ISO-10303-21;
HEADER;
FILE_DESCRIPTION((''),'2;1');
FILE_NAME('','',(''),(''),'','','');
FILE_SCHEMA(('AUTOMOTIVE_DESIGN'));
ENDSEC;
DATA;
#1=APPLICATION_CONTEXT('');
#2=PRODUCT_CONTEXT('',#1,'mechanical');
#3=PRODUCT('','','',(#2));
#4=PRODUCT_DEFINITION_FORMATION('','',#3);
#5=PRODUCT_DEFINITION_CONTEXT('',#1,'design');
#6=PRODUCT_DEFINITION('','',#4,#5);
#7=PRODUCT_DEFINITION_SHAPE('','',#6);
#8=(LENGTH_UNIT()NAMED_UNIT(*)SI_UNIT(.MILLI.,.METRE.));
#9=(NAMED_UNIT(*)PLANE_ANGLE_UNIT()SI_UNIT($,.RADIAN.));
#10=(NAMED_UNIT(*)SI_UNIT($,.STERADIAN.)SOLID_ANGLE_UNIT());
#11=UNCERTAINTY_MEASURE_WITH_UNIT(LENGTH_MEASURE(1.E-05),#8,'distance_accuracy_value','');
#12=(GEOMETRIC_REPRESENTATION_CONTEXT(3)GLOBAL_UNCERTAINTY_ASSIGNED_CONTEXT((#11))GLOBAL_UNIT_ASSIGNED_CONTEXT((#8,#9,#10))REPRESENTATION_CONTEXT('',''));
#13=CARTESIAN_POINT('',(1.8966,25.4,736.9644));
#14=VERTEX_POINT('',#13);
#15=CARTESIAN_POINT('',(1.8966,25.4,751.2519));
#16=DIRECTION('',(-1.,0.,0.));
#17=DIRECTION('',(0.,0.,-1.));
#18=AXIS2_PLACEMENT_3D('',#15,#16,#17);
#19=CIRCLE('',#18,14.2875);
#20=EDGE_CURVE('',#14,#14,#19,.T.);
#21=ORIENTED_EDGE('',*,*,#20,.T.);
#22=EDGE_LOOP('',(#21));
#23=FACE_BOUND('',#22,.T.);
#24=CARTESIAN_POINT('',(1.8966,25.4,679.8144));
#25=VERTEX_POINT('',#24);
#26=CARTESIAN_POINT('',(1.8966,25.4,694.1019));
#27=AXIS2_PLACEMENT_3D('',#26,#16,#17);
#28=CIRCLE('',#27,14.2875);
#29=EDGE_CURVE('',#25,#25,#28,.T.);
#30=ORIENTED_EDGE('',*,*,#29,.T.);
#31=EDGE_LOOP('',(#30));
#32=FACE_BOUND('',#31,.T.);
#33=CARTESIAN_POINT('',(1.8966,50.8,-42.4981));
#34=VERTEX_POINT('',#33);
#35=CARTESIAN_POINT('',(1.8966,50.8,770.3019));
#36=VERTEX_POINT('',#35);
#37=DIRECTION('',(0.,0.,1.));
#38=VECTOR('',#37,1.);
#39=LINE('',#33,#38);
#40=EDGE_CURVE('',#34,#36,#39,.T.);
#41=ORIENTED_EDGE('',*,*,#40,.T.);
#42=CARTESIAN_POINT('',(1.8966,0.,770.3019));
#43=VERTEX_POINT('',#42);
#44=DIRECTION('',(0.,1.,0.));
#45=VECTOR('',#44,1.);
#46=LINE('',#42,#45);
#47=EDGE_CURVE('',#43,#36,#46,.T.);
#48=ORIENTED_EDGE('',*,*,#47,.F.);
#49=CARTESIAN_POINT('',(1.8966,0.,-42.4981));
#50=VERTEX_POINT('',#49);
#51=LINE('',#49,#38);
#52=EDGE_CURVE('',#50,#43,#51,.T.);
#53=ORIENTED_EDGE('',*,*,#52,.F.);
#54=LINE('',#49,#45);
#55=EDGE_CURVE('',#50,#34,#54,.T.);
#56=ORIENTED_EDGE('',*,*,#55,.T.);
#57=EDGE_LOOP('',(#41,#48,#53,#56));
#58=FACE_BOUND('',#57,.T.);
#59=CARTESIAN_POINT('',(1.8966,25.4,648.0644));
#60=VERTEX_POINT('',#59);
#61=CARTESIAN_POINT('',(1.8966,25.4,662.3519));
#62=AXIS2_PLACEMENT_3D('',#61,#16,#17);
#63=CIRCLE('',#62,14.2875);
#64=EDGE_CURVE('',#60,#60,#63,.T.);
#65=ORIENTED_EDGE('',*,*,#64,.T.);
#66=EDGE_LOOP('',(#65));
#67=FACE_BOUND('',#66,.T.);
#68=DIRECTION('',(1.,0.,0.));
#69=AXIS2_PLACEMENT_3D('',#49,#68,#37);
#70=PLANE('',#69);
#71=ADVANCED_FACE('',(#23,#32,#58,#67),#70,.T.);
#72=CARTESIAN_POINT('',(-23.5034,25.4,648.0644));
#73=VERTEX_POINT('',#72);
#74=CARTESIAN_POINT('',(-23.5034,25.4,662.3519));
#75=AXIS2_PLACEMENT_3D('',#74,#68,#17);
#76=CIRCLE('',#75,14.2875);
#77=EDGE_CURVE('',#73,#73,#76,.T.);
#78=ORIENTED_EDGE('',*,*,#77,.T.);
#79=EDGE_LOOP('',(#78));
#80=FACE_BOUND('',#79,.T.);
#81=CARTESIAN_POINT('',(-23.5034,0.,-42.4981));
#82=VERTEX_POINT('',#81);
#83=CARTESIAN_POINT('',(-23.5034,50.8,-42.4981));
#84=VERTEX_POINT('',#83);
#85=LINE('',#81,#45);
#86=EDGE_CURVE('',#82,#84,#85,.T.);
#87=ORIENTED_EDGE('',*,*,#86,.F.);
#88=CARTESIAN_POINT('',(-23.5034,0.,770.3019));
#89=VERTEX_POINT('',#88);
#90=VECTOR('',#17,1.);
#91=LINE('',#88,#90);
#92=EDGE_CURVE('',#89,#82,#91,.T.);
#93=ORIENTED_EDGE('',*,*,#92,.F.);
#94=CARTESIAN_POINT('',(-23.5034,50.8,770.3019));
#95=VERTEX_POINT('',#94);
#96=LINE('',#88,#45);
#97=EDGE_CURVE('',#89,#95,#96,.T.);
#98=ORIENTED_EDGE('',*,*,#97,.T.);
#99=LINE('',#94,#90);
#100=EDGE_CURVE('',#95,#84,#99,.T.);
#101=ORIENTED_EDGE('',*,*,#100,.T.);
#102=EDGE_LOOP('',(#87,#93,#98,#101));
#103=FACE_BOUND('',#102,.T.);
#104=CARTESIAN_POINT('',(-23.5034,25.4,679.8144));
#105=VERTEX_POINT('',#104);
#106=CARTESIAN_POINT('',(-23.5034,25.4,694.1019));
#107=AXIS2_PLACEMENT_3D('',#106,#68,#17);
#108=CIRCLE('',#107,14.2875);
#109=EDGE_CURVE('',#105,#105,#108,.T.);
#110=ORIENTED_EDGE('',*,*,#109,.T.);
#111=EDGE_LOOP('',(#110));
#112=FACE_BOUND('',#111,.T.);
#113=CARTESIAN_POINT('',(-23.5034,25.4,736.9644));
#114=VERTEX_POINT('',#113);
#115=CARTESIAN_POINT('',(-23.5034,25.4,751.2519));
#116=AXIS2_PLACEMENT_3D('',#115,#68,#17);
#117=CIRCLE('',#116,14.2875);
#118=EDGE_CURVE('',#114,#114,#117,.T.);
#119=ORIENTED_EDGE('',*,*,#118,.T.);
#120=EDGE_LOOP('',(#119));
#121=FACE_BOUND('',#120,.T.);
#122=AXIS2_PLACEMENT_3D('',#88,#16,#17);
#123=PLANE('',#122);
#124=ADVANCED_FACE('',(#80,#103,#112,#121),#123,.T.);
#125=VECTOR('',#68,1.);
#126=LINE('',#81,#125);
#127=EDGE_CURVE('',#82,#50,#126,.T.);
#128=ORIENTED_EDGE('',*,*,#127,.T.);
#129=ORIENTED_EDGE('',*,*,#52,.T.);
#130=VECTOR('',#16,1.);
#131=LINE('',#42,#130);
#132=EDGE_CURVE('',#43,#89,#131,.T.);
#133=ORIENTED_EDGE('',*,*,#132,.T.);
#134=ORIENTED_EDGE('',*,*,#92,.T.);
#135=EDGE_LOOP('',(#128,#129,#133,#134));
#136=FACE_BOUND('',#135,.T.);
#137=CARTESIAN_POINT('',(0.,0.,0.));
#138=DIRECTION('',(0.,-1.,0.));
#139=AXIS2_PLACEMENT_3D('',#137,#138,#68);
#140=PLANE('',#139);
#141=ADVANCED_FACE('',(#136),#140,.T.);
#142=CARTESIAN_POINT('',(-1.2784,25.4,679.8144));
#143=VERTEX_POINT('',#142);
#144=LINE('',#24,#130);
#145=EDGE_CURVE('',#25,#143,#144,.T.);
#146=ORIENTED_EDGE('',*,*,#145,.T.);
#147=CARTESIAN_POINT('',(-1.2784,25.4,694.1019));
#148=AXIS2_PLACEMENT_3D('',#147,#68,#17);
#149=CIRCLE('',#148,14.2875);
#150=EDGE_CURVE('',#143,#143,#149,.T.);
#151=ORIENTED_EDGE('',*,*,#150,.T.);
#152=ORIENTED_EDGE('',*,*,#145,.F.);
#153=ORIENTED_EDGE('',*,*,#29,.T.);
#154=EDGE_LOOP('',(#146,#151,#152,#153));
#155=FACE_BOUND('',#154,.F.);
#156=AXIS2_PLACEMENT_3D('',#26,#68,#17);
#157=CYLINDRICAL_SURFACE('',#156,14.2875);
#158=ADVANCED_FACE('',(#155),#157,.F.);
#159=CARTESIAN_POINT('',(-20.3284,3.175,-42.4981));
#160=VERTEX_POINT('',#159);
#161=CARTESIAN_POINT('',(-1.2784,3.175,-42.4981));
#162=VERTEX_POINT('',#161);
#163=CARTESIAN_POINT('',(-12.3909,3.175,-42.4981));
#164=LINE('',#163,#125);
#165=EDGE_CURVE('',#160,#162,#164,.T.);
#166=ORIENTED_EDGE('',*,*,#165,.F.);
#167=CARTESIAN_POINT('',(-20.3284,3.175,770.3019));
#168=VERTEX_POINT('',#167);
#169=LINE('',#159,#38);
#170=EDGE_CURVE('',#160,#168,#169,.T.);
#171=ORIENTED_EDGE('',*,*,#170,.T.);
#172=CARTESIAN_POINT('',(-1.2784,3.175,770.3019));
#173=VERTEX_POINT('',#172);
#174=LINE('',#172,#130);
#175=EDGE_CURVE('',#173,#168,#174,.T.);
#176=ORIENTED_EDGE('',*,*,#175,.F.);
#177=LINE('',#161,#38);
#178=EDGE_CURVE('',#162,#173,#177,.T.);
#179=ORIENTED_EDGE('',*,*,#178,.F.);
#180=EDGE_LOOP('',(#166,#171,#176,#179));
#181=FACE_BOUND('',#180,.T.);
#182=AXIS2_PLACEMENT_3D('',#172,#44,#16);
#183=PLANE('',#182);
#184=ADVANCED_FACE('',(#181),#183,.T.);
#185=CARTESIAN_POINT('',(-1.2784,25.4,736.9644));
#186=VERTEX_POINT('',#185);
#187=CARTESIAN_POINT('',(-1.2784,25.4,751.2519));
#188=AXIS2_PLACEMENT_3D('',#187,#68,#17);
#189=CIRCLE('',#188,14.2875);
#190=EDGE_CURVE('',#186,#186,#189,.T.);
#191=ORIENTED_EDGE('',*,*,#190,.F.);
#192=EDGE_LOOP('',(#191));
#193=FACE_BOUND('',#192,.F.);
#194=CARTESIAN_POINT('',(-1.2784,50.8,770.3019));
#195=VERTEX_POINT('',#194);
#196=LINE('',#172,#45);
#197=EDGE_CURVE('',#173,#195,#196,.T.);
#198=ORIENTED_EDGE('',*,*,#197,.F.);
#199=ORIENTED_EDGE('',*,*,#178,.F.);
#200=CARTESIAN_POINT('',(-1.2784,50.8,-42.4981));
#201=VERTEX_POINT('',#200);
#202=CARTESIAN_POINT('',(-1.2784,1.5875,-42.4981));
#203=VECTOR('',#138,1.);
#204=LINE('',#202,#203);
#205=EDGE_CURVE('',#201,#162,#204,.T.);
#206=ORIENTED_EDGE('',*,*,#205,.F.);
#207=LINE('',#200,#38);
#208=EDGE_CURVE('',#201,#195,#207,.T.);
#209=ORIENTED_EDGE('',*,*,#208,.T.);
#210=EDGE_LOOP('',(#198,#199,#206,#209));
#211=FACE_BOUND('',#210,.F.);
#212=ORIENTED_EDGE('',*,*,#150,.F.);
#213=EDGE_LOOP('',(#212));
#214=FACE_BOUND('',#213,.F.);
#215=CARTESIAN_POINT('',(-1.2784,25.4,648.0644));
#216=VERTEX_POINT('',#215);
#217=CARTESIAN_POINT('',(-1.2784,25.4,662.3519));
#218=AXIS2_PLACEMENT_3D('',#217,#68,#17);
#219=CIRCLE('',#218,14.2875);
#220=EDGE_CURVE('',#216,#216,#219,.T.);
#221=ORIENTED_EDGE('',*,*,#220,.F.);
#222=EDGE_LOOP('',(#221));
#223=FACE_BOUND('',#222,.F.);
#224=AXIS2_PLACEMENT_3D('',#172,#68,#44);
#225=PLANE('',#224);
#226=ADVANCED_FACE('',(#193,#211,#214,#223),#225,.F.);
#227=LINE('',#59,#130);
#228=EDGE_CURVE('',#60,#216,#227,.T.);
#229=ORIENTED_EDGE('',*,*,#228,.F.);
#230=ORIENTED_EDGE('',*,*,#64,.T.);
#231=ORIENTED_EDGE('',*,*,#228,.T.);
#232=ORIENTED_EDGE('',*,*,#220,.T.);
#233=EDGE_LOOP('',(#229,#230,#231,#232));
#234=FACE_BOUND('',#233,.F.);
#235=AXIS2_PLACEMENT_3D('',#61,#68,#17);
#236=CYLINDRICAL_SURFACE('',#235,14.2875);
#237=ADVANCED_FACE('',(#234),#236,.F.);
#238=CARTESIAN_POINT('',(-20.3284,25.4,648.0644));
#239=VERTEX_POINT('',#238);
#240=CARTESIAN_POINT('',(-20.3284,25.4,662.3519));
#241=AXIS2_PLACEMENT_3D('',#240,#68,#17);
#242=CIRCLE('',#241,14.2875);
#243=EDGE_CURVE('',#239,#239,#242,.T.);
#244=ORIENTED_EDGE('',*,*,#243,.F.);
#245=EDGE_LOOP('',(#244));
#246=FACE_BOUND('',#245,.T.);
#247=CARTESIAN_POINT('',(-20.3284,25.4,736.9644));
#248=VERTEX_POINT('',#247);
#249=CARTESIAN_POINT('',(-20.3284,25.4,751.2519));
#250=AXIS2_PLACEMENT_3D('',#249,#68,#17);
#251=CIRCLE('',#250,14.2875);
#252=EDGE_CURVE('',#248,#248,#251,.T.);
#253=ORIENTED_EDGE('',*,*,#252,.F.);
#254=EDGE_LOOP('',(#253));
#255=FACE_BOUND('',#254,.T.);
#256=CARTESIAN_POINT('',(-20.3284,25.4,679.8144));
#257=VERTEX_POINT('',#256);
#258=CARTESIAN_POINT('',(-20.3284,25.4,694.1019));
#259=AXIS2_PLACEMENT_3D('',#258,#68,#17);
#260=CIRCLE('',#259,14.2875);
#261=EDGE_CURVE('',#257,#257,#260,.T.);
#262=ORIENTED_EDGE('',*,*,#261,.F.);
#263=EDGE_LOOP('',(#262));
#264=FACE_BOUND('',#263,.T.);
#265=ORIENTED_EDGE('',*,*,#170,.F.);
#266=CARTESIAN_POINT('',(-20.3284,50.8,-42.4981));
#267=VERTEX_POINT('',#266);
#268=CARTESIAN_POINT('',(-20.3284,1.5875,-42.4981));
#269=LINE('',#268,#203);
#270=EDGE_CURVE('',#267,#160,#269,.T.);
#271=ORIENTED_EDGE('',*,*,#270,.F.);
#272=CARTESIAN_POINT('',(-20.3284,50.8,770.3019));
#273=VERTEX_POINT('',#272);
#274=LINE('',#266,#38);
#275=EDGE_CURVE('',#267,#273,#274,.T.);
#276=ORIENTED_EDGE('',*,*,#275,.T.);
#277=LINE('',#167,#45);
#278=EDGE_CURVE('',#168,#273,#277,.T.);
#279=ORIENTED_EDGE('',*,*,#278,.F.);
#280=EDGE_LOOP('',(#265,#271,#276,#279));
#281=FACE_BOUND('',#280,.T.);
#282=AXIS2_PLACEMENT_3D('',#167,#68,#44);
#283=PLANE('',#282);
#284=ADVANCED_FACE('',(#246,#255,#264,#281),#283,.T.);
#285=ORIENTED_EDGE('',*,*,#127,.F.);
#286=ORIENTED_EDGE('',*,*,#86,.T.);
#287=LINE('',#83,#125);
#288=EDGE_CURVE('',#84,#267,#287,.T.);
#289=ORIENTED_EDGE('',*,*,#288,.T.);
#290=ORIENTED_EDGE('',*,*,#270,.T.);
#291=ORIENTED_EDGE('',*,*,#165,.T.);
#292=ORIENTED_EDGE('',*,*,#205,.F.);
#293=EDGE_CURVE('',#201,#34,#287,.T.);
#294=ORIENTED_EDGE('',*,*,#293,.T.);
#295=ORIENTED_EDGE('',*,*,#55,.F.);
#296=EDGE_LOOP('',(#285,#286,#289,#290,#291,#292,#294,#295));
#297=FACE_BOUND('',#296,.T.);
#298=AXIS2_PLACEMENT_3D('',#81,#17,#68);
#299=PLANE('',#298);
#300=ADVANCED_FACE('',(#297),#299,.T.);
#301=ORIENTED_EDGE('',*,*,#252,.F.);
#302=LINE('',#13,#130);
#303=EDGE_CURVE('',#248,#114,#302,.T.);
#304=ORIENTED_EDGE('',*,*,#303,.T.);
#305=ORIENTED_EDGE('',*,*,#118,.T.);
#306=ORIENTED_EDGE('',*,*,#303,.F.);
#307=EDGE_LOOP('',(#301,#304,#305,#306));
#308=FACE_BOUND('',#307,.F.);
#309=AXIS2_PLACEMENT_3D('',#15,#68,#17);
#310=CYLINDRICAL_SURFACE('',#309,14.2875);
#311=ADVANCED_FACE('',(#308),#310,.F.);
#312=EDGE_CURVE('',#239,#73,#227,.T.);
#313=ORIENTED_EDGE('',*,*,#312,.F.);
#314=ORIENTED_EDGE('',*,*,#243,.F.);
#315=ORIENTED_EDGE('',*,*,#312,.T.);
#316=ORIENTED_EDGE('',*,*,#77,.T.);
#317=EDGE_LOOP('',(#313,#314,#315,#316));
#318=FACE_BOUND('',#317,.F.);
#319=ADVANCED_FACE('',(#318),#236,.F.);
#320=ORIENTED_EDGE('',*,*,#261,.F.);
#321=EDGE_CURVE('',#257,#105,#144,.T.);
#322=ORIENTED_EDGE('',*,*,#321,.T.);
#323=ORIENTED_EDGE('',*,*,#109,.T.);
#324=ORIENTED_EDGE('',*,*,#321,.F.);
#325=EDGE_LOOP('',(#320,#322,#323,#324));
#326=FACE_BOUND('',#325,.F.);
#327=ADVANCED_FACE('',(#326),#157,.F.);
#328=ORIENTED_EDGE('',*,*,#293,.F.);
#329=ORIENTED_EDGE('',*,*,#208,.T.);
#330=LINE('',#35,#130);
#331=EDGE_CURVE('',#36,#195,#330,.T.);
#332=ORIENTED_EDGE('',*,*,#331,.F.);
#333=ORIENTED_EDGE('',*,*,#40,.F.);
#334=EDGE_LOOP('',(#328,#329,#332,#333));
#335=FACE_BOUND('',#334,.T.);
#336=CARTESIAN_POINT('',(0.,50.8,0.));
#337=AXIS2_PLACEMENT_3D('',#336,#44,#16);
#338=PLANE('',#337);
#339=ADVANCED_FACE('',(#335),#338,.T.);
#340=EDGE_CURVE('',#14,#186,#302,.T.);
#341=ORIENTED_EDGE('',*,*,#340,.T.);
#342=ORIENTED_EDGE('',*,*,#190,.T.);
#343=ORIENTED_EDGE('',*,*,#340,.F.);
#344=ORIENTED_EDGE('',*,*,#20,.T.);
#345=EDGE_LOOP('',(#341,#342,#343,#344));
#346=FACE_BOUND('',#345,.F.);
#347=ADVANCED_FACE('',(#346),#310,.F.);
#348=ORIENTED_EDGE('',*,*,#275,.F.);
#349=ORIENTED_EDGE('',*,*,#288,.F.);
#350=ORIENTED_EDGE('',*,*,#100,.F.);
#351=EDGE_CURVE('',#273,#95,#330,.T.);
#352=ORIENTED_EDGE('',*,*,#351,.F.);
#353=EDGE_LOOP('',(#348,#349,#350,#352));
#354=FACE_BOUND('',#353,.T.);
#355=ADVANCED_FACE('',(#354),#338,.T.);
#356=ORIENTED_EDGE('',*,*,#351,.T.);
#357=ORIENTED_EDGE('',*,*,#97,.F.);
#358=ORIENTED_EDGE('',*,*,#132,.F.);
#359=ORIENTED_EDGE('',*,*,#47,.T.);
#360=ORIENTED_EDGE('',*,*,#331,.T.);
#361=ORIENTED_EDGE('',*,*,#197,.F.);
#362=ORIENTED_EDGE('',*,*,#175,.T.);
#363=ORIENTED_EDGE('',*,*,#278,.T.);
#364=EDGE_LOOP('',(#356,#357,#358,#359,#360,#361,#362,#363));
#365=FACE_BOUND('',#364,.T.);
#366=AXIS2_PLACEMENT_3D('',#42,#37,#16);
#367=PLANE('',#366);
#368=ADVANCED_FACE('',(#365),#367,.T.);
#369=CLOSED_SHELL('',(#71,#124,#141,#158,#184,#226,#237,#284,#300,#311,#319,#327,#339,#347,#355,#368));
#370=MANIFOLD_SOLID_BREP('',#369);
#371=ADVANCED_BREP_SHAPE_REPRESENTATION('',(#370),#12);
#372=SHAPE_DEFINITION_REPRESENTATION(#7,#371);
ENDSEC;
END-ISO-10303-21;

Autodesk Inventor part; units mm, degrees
ref_plane "YZ Plane" through (0, 0, 0) normal (1, 0, 0) x (0, 1, 0)
ref_plane "XZ Plane" through (0, 0, 0) normal (0, 1, 0) x (-1, 0, 0)
ref_plane "XY Plane" through (0, 0, 0) normal (0, 0, 1) x (1, 0, 0)
sketch "Sketch1" plane through (0, 0, 0) normal (0, 1, 0) x (-1, 0, 0)
  line L0 (23.5034, -42.4981) -> (-1.8966, -42.4981)
  line L1 (-1.8966, -42.4981) -> (-1.8966, 770.3019)
  line L2 (-1.8966, 770.3019) -> (23.5034, 770.3019)
  line L3 (23.5034, 770.3019) -> (23.5034, -42.4981)
  line L4 (20.3284, -39.3231) -> (1.2784, -39.3231)
  line L5 (1.2784, -39.3231) -> (1.2784, 767.1269)
  line L6 (1.2784, 767.1269) -> (20.3284, 767.1269)
  line L7 (20.3284, 767.1269) -> (20.3284, -39.3231)
  point P0 (0, 0)
  dimension "d0" = 25.4
  dimension "d1" = 812.8
  dimension "d2" = 3.175
ref_plane "Work Plane3" through (0, 0, 0) normal (0, -1, 0) x (1, 0, 0)
sketch "Sketch2" plane through (0, 0, 0) normal (0, -1, 0) x (1, 0, 0)
  line L0 (-1.2784, -39.3231) -> (-20.3284, -39.3231) projected
  line L1 (-20.3284, -39.3231) -> (-20.3284, 767.1269) projected
  line L2 (-1.2784, -39.3231) -> (-20.3284, -39.3231)
  line L3 (-20.3284, -39.3231) -> (-20.3284, 767.1269)
  line L4 (-20.3284, 767.1269) -> (-1.2784, 767.1269)
  line L5 (-1.2784, 767.1269) -> (-1.2784, -39.3231)
  point P0 (0, 0)
extrude "Extrusion3" add sketch "Sketch2" against normal blind 3.175
extrude "Extrusion5" add sketch "Sketch1" along normal blind 50.8
sketch "Sketch4" plane through (-23.5034, 0, 770.3019) normal (0, 0, 1) x (1, 0, 0)
  line L0 (0, 50.8) -> (25.4, 50.8) projected
  line L1 (0, 50.8) -> (3.175, 50.8)
  line L2 (3.175, 50.8) -> (25.4, 50.8)
  line L3 (25.4, 50.8) -> (22.225, 50.8)
  line L4 (22.225, 3.175) -> (22.225, 50.8) projected
  line L5 (3.175, 50.8) -> (22.225, 50.8)
  line L6 (22.225, 50.8) -> (22.225, 3.175)
  line L7 (22.225, 3.175) -> (3.175, 3.175)
  line L8 (3.175, 3.175) -> (3.175, 50.8)
  point P0 (23.5034, 0)
  point P1 (22.225, 0)
  dimension "d13" = 3.175
  dimension "d14" = 3.175
extrude "Extrusion6" cut sketch "Sketch4" against normal blind 1016
sketch "Sketch5" plane through (1.8966, 0, 770.3019) normal (1, 0, 0) x (0, 0, -1)
  line L0 (0, 0) -> (19.05, 0)
  line L1 (19.05, 0) -> (19.05, 25.4)
  line L2 (19.05, 25.4) -> (0, 25.4)
  line L3 (0, 25.4) -> (0, 0)
  circle A0 centre (19.05, 25.4) radius 14.2875
  line L4 (19.05, 25.4) -> (76.2, 25.4)
  circle A1 centre (76.2, 25.4) radius 14.2875
  line L5 (76.2, 25.4) -> (107.95, 25.4)
  circle A2 centre (107.95, 25.4) radius 14.2875
  point P0 (770.3019, 0)
  dimension "d17" = 19.05
  dimension "d18" = 25.4
  dimension "d19" = 28.575
  dimension "d22" = 57.15
  dimension "d23" = 28.575
  dimension "d26" = 31.75
  dimension "d27" = 28.575
extrude "Extrusion10" cut sketch "Sketch5" against normal blind 50.8 contours A2 | A1 L5 L4 | L4 L5 A1 | A0 L2 L1 | L1 L4 A0 | A0 L4 L2
properties part number "36in Aluminum Channel"
